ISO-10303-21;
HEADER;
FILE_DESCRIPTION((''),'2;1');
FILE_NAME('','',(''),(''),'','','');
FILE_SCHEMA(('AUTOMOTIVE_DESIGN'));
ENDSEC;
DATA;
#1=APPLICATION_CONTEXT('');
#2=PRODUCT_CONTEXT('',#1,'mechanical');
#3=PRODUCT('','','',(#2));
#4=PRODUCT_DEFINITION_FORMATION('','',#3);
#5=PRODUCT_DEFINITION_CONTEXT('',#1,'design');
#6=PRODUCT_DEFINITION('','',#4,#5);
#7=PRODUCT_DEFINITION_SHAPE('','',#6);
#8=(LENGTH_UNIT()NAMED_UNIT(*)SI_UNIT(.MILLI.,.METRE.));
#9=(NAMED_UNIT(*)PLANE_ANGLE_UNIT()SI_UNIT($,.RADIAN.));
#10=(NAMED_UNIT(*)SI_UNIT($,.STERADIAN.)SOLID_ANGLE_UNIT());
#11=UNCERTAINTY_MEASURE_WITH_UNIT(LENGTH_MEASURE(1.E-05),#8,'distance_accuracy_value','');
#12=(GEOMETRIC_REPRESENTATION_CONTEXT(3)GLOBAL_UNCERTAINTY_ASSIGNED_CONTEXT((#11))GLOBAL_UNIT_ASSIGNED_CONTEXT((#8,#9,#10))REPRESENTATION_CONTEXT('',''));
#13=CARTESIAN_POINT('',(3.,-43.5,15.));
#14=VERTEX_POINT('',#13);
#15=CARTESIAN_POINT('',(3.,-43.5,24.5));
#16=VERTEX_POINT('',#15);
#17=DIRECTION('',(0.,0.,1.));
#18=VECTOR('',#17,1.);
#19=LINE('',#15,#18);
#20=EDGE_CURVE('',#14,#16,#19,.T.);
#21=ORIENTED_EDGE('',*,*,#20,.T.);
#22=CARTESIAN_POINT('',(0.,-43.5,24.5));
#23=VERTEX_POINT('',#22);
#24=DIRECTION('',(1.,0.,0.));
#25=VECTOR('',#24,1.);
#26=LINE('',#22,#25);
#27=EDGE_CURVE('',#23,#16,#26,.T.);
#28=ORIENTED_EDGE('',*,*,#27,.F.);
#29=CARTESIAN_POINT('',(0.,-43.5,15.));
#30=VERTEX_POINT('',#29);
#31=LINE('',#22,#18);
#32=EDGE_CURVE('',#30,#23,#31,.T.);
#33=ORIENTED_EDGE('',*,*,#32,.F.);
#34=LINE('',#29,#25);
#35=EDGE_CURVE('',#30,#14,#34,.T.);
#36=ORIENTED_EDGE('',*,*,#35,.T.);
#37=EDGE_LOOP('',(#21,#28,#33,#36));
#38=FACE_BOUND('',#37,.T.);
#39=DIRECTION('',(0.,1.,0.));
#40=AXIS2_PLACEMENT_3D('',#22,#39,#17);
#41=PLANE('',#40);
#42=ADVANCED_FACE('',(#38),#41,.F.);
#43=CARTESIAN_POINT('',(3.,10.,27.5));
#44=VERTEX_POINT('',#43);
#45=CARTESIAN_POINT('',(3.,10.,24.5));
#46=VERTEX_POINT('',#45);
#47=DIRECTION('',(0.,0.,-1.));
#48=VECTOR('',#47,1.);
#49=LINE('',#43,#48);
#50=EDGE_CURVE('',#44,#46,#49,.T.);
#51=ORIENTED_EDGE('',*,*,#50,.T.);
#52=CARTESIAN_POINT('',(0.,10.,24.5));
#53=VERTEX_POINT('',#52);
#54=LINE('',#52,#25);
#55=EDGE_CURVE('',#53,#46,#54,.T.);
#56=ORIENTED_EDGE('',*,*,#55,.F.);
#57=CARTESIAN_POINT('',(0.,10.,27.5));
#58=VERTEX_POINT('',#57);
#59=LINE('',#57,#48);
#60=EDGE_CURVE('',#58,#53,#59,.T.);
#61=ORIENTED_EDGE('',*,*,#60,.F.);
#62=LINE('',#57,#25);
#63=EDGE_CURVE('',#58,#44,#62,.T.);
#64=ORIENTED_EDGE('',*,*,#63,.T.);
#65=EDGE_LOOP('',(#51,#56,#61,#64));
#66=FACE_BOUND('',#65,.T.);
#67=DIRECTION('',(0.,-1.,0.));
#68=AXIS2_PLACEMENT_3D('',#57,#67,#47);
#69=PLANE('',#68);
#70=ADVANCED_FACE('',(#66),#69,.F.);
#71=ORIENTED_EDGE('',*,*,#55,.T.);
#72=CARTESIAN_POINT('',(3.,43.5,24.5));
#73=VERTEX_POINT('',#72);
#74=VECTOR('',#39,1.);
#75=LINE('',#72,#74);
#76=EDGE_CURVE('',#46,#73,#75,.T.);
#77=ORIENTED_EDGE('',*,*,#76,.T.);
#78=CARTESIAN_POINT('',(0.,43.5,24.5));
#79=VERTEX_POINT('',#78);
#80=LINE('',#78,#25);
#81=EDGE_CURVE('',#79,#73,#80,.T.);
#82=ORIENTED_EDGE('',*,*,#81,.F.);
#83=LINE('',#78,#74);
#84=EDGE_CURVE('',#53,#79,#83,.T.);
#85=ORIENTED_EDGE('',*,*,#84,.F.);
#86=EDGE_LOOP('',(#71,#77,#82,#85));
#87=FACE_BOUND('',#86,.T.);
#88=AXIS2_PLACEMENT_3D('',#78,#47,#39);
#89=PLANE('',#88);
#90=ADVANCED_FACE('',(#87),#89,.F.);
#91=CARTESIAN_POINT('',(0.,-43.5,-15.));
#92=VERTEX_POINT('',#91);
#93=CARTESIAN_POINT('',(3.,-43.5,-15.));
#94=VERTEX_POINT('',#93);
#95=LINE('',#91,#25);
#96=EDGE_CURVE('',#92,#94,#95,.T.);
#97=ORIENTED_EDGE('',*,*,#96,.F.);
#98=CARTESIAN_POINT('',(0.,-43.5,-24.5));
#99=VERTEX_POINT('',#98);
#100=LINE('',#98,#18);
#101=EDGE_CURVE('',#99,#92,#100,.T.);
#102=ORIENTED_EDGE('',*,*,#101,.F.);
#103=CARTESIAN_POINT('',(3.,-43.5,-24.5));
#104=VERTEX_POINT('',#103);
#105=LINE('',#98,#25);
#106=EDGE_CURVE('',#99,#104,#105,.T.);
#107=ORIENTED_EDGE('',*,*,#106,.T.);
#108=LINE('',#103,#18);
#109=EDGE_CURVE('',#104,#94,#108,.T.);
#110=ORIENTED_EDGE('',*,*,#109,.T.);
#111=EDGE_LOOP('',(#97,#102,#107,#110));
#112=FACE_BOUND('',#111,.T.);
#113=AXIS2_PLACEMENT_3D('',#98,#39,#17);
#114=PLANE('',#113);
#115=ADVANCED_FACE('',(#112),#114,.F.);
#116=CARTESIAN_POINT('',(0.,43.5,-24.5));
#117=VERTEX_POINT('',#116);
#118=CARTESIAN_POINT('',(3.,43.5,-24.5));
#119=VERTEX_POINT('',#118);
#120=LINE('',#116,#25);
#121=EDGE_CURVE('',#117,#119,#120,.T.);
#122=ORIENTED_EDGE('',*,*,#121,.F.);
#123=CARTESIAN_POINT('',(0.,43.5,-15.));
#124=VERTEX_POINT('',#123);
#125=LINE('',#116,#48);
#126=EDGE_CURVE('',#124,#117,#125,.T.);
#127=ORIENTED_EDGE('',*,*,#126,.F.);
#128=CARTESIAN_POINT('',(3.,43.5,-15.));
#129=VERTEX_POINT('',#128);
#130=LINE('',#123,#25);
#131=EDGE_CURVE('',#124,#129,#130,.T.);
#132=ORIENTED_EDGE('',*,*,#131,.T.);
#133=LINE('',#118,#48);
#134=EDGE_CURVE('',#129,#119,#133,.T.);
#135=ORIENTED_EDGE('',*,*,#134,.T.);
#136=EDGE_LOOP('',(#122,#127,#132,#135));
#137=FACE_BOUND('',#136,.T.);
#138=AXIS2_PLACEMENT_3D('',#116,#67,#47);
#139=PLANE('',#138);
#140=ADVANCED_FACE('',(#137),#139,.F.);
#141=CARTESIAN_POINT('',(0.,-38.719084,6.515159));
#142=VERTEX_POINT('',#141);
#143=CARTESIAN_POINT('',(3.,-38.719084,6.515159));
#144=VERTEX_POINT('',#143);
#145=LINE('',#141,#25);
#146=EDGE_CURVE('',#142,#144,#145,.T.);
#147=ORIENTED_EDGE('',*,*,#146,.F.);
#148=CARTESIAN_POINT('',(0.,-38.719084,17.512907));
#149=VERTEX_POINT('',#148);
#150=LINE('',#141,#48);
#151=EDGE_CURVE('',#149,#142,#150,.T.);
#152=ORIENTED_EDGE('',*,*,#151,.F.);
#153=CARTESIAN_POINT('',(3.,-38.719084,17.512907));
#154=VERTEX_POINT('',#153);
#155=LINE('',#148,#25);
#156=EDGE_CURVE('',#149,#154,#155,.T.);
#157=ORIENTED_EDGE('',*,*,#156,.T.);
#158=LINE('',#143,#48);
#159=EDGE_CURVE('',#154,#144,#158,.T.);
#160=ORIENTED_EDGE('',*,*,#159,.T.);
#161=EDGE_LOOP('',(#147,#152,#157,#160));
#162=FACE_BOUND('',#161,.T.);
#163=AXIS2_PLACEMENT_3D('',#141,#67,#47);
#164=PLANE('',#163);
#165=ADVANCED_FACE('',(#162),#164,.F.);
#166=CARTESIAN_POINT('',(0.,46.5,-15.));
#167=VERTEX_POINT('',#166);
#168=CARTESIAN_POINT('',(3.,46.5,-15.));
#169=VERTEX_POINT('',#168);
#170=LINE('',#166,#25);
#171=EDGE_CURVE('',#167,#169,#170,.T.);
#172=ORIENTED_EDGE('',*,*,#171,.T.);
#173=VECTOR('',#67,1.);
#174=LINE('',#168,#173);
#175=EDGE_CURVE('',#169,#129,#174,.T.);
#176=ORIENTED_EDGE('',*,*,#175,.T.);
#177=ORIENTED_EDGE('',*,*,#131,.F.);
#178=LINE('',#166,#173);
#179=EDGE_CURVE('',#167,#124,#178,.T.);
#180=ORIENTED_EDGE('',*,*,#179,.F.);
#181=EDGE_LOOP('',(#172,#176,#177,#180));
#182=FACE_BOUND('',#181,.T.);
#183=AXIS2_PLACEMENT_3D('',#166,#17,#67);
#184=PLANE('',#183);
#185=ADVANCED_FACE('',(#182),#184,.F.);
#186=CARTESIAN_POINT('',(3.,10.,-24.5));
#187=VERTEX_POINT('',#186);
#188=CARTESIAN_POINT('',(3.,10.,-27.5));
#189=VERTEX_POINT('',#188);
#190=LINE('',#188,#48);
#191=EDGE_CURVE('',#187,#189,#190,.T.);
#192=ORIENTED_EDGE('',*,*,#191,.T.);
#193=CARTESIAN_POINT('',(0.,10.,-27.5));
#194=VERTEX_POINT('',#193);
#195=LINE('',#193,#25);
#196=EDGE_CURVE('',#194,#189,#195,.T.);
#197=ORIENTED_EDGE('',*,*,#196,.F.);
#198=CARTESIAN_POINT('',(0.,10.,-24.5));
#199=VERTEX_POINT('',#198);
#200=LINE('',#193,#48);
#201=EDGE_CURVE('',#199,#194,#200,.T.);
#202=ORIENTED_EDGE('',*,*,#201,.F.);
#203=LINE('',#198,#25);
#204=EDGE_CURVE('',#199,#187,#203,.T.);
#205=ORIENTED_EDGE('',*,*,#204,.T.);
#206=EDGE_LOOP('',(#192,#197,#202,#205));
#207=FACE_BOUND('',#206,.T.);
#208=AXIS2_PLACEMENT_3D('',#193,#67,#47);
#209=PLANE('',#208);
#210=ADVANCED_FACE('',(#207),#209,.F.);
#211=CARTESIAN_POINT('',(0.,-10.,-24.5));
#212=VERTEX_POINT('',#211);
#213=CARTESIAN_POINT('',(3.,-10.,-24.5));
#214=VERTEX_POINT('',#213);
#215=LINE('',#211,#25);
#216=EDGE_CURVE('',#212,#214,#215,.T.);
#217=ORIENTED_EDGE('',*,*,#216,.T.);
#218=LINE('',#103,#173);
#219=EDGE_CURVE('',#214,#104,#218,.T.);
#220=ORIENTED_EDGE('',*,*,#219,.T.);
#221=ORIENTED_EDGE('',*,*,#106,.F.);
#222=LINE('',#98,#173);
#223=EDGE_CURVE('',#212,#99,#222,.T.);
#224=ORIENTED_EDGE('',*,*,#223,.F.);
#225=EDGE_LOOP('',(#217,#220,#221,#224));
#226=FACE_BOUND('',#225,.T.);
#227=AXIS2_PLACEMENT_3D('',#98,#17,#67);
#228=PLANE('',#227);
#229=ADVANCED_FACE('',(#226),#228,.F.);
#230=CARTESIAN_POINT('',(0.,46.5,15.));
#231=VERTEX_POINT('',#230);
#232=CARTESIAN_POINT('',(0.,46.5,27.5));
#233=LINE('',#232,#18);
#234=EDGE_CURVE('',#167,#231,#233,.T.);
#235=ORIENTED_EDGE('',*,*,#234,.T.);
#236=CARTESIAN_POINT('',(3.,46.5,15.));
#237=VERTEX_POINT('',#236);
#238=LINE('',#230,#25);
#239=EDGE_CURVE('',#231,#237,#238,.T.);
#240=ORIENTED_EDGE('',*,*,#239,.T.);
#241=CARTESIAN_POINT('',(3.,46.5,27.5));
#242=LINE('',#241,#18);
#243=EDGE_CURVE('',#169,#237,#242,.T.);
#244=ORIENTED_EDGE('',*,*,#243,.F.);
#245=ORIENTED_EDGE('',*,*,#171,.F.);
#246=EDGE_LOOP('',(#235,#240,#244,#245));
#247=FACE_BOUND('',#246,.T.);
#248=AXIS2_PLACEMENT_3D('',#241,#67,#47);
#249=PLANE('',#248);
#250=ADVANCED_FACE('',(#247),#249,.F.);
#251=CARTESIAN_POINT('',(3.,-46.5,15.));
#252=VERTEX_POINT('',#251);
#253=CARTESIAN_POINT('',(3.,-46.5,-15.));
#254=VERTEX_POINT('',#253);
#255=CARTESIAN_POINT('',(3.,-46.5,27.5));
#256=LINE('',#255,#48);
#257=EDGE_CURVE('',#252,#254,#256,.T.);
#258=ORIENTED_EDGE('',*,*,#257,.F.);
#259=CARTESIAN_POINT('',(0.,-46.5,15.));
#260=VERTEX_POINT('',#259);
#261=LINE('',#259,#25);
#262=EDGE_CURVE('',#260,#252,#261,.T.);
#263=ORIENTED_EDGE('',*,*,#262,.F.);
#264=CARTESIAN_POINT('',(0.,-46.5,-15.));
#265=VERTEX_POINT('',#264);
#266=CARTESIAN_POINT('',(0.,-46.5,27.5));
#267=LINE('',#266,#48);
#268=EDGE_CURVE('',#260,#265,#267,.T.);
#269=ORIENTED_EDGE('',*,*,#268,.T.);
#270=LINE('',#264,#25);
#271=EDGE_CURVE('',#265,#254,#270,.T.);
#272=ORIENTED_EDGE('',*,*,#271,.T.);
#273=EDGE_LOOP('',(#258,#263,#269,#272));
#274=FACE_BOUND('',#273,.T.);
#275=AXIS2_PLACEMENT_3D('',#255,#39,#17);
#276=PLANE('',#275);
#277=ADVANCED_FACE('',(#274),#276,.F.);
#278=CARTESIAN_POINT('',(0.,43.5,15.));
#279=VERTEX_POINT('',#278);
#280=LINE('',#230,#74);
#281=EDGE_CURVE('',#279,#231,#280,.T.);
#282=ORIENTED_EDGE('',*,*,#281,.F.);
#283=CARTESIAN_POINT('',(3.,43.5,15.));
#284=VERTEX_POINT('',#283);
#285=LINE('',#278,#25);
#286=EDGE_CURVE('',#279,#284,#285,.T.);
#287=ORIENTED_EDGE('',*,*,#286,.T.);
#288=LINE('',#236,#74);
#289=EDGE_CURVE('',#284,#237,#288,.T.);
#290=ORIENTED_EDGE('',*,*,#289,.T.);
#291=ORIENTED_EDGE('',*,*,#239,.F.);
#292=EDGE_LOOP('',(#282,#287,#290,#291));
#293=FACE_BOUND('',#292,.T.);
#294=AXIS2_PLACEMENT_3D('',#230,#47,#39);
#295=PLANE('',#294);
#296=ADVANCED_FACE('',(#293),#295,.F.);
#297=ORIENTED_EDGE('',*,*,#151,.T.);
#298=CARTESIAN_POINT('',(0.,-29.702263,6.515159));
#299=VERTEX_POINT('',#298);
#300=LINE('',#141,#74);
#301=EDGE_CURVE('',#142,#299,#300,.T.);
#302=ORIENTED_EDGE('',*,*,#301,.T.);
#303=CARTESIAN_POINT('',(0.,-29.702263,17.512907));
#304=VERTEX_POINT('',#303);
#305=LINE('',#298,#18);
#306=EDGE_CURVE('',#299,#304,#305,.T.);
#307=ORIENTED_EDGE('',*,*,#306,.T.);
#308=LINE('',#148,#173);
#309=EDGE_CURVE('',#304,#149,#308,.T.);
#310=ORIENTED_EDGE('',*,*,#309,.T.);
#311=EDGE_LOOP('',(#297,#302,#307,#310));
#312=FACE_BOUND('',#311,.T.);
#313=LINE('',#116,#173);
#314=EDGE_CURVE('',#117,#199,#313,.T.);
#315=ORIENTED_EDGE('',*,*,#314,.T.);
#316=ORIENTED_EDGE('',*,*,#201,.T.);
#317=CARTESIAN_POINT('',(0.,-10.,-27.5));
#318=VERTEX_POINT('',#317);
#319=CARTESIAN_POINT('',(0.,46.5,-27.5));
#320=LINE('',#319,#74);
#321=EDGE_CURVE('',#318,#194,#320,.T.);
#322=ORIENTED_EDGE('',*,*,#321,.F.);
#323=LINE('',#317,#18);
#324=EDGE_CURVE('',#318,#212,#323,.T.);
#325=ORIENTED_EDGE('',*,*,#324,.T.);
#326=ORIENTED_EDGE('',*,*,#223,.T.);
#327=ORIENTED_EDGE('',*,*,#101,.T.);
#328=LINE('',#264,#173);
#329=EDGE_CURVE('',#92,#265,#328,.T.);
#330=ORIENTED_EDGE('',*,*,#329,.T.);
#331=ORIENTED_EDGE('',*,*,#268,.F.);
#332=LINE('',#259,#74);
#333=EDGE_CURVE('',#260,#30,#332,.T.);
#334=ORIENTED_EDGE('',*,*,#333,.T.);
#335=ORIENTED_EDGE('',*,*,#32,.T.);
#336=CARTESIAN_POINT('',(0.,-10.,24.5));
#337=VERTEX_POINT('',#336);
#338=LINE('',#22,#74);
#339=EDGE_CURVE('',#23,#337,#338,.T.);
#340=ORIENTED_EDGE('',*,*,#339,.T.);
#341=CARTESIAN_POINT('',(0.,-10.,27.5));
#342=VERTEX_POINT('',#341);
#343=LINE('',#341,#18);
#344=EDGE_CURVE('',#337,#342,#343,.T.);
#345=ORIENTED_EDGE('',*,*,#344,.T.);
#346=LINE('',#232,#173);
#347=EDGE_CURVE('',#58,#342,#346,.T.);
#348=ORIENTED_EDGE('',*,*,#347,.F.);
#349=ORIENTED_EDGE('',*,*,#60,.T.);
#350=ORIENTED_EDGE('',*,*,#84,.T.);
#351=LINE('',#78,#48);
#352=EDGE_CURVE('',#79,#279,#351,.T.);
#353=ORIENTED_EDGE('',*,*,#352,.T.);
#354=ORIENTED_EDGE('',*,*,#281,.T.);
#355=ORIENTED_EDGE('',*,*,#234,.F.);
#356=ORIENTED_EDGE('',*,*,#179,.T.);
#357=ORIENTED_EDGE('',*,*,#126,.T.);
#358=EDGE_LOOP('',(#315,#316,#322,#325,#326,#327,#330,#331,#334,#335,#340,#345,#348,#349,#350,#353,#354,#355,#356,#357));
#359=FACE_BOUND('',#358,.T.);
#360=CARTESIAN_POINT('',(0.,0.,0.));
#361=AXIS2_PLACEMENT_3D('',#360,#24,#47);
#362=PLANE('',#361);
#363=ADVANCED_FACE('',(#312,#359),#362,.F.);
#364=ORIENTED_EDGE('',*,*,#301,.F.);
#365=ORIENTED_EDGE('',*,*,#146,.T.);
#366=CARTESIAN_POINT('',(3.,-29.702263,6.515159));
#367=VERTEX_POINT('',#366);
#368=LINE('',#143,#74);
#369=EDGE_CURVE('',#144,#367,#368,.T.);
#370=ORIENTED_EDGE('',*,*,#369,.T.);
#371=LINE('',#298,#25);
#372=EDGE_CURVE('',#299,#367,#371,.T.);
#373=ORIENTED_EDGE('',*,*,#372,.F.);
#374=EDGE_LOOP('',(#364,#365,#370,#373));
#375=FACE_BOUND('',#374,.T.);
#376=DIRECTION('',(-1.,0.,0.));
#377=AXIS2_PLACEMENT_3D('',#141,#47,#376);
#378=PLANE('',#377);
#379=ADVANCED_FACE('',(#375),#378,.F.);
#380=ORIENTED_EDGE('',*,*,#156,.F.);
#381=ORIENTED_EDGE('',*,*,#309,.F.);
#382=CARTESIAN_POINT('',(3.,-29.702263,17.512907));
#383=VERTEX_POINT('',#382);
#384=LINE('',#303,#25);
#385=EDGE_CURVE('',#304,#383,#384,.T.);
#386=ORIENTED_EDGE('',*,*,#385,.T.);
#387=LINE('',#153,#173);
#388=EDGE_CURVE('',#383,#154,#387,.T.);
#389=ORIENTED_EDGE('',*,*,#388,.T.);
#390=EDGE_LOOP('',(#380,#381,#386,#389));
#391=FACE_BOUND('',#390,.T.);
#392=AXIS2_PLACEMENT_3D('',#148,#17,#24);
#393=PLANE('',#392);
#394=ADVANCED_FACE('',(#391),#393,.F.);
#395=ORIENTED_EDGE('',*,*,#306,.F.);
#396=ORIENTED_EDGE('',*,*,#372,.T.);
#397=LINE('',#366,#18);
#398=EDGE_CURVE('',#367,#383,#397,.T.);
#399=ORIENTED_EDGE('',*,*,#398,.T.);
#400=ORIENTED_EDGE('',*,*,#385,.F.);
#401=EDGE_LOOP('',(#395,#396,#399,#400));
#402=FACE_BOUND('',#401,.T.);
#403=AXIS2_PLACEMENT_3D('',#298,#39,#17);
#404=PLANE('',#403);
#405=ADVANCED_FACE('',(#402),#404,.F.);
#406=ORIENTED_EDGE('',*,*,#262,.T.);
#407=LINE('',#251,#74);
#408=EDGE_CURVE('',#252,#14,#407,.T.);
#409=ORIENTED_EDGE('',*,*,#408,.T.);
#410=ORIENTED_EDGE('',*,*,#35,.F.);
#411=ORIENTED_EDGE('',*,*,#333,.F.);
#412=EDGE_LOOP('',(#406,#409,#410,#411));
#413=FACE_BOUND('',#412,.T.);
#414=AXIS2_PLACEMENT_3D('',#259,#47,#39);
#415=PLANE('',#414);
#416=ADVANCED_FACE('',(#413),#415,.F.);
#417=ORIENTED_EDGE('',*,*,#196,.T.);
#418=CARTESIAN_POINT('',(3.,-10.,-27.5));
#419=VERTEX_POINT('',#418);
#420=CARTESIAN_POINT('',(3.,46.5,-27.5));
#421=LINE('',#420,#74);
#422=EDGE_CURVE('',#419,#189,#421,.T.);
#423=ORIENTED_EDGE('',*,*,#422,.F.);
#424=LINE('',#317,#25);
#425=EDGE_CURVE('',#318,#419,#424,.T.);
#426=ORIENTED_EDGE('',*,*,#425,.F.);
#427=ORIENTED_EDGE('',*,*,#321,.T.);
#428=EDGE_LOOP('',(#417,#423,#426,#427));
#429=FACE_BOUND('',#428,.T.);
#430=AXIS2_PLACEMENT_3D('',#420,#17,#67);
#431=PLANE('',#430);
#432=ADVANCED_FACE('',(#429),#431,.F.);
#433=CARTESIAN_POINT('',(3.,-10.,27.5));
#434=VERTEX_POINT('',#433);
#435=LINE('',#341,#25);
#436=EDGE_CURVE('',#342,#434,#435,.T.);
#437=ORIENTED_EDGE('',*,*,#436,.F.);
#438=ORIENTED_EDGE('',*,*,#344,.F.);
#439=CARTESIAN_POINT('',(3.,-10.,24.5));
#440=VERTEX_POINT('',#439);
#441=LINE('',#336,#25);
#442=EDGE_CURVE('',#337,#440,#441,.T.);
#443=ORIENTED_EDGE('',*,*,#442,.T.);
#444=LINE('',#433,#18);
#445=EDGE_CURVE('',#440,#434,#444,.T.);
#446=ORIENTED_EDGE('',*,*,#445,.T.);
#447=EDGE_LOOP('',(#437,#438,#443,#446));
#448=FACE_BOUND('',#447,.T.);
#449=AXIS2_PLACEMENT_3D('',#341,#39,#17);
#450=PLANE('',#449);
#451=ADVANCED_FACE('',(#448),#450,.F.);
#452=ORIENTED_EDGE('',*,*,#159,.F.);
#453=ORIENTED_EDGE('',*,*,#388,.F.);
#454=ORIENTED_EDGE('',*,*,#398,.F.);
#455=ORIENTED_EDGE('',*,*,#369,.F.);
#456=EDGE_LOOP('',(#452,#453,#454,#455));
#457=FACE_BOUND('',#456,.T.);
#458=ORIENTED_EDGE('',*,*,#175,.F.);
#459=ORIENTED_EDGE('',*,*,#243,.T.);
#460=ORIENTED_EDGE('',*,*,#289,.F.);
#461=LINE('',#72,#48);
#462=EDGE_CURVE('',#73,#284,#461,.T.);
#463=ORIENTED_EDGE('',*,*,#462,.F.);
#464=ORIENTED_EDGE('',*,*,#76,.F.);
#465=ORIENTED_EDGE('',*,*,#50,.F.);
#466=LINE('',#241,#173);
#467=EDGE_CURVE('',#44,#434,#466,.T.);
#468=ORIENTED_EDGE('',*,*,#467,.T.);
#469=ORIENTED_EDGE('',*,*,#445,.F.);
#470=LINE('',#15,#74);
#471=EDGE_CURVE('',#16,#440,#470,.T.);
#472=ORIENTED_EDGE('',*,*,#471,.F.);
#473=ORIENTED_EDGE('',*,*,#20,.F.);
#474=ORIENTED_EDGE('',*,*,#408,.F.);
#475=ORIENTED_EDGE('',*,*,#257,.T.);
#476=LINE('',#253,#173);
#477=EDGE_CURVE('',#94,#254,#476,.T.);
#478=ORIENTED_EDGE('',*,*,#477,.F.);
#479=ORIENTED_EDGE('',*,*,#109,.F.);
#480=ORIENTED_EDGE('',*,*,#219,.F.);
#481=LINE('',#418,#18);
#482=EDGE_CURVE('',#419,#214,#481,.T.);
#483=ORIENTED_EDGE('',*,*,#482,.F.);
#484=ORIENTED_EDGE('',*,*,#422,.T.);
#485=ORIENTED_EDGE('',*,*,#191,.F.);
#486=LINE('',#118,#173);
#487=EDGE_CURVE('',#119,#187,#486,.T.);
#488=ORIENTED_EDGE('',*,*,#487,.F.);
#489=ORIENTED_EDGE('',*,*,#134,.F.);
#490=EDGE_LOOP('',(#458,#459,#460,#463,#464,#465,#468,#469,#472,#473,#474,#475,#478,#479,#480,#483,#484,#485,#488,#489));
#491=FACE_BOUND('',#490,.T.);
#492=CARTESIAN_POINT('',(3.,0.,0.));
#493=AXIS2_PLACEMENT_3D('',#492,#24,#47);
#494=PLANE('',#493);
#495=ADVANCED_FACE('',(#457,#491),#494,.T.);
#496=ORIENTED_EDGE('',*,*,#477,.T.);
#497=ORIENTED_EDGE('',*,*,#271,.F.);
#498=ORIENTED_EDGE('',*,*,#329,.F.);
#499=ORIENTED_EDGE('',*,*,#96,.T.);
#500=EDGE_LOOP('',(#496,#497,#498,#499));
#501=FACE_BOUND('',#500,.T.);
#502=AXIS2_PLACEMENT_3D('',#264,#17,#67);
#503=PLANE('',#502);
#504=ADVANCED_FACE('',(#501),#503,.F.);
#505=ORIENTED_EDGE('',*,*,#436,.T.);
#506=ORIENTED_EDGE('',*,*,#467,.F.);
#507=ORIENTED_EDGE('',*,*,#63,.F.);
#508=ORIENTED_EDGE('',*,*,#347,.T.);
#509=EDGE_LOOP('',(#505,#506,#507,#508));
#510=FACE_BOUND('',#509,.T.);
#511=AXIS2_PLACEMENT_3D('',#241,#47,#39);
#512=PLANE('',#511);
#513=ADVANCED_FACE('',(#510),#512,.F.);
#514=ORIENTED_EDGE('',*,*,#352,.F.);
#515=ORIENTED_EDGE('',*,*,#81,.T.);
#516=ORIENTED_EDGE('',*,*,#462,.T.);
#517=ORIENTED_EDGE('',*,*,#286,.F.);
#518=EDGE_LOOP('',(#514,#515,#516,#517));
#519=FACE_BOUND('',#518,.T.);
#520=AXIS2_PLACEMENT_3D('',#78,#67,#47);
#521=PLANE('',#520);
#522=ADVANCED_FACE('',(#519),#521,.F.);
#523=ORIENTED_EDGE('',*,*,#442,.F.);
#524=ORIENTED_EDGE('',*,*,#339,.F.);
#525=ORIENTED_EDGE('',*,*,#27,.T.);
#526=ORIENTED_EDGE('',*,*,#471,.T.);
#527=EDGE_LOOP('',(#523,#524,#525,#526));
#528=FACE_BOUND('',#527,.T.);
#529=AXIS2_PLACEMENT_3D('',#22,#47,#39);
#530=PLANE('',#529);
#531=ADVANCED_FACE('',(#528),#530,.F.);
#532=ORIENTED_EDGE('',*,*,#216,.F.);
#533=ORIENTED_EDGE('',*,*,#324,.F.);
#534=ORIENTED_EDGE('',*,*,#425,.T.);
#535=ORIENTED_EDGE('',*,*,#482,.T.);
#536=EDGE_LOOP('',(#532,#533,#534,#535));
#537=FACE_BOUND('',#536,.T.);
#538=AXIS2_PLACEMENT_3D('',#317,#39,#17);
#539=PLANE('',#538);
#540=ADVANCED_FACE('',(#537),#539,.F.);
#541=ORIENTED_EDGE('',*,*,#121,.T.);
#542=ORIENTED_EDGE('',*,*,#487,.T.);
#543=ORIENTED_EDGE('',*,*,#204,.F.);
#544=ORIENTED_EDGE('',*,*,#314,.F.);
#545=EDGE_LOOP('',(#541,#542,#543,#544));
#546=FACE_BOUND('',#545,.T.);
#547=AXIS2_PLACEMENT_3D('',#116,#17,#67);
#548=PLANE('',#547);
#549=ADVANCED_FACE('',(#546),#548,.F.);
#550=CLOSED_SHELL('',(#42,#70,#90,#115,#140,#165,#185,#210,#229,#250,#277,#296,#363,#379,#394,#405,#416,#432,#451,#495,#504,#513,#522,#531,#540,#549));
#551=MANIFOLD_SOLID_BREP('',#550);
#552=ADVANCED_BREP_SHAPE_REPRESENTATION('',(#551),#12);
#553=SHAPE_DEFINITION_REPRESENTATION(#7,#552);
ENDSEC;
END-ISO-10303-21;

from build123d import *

# Parameters (mm, degrees)
SKETCH2_W           = 55
SKETCH2_H           = 93
BOSS_EXTRUDE1_DEPTH = 3
SKETCH3_W           = 10.997747865
SKETCH3_H           = 9.016820523
CUT_EXTRUDE1_DEPTH  = 3


with BuildPart() as part:
    # Sketch2 → Boss-Extrude1 (new body)
    with BuildSketch(Plane(origin=(0, 0, 0), x_dir=(0, 0, -1), z_dir=(1, 0, 0))):
        Rectangle(SKETCH2_W, SKETCH2_H)
    extrude(amount=BOSS_EXTRUDE1_DEPTH)

    # Sketch3 → Cut-Extrude1 (cut)
    with BuildSketch(Plane(origin=(3, 0, 0), x_dir=(0, 0, -1), z_dir=(1, 0, 0))):
        Polygon((-27.5, 46.5), (-24.5, 46.5), (-15, 46.5), (-15, 43.5), (-24.5, 43.5), (-24.5, 10), (-27.5, 10), align=None)
        Polygon((27.5, 46.5), (27.5, 10), (24.5, 10), (24.5, 43.5), (15, 43.5), (15, 46.5), (24.5, 46.5), align=None)
        Polygon((27.5, -46.5), (24.5, -46.5), (15, -46.5), (15, -43.5), (24.5, -43.5), (24.5, -10), (27.5, -10), align=None)
        Polygon((-27.5, -46.5), (-27.5, -10), (-24.5, -10), (-24.5, -43.5), (-15, -43.5), (-15, -46.5), (-24.5, -46.5), align=None)
        with Locations((-12.014032646, -34.210673658)):
            Rectangle(SKETCH3_W, SKETCH3_H)
    extrude(amount=-CUT_EXTRUDE1_DEPTH, mode=Mode.SUBTRACT)


solid = part.part
